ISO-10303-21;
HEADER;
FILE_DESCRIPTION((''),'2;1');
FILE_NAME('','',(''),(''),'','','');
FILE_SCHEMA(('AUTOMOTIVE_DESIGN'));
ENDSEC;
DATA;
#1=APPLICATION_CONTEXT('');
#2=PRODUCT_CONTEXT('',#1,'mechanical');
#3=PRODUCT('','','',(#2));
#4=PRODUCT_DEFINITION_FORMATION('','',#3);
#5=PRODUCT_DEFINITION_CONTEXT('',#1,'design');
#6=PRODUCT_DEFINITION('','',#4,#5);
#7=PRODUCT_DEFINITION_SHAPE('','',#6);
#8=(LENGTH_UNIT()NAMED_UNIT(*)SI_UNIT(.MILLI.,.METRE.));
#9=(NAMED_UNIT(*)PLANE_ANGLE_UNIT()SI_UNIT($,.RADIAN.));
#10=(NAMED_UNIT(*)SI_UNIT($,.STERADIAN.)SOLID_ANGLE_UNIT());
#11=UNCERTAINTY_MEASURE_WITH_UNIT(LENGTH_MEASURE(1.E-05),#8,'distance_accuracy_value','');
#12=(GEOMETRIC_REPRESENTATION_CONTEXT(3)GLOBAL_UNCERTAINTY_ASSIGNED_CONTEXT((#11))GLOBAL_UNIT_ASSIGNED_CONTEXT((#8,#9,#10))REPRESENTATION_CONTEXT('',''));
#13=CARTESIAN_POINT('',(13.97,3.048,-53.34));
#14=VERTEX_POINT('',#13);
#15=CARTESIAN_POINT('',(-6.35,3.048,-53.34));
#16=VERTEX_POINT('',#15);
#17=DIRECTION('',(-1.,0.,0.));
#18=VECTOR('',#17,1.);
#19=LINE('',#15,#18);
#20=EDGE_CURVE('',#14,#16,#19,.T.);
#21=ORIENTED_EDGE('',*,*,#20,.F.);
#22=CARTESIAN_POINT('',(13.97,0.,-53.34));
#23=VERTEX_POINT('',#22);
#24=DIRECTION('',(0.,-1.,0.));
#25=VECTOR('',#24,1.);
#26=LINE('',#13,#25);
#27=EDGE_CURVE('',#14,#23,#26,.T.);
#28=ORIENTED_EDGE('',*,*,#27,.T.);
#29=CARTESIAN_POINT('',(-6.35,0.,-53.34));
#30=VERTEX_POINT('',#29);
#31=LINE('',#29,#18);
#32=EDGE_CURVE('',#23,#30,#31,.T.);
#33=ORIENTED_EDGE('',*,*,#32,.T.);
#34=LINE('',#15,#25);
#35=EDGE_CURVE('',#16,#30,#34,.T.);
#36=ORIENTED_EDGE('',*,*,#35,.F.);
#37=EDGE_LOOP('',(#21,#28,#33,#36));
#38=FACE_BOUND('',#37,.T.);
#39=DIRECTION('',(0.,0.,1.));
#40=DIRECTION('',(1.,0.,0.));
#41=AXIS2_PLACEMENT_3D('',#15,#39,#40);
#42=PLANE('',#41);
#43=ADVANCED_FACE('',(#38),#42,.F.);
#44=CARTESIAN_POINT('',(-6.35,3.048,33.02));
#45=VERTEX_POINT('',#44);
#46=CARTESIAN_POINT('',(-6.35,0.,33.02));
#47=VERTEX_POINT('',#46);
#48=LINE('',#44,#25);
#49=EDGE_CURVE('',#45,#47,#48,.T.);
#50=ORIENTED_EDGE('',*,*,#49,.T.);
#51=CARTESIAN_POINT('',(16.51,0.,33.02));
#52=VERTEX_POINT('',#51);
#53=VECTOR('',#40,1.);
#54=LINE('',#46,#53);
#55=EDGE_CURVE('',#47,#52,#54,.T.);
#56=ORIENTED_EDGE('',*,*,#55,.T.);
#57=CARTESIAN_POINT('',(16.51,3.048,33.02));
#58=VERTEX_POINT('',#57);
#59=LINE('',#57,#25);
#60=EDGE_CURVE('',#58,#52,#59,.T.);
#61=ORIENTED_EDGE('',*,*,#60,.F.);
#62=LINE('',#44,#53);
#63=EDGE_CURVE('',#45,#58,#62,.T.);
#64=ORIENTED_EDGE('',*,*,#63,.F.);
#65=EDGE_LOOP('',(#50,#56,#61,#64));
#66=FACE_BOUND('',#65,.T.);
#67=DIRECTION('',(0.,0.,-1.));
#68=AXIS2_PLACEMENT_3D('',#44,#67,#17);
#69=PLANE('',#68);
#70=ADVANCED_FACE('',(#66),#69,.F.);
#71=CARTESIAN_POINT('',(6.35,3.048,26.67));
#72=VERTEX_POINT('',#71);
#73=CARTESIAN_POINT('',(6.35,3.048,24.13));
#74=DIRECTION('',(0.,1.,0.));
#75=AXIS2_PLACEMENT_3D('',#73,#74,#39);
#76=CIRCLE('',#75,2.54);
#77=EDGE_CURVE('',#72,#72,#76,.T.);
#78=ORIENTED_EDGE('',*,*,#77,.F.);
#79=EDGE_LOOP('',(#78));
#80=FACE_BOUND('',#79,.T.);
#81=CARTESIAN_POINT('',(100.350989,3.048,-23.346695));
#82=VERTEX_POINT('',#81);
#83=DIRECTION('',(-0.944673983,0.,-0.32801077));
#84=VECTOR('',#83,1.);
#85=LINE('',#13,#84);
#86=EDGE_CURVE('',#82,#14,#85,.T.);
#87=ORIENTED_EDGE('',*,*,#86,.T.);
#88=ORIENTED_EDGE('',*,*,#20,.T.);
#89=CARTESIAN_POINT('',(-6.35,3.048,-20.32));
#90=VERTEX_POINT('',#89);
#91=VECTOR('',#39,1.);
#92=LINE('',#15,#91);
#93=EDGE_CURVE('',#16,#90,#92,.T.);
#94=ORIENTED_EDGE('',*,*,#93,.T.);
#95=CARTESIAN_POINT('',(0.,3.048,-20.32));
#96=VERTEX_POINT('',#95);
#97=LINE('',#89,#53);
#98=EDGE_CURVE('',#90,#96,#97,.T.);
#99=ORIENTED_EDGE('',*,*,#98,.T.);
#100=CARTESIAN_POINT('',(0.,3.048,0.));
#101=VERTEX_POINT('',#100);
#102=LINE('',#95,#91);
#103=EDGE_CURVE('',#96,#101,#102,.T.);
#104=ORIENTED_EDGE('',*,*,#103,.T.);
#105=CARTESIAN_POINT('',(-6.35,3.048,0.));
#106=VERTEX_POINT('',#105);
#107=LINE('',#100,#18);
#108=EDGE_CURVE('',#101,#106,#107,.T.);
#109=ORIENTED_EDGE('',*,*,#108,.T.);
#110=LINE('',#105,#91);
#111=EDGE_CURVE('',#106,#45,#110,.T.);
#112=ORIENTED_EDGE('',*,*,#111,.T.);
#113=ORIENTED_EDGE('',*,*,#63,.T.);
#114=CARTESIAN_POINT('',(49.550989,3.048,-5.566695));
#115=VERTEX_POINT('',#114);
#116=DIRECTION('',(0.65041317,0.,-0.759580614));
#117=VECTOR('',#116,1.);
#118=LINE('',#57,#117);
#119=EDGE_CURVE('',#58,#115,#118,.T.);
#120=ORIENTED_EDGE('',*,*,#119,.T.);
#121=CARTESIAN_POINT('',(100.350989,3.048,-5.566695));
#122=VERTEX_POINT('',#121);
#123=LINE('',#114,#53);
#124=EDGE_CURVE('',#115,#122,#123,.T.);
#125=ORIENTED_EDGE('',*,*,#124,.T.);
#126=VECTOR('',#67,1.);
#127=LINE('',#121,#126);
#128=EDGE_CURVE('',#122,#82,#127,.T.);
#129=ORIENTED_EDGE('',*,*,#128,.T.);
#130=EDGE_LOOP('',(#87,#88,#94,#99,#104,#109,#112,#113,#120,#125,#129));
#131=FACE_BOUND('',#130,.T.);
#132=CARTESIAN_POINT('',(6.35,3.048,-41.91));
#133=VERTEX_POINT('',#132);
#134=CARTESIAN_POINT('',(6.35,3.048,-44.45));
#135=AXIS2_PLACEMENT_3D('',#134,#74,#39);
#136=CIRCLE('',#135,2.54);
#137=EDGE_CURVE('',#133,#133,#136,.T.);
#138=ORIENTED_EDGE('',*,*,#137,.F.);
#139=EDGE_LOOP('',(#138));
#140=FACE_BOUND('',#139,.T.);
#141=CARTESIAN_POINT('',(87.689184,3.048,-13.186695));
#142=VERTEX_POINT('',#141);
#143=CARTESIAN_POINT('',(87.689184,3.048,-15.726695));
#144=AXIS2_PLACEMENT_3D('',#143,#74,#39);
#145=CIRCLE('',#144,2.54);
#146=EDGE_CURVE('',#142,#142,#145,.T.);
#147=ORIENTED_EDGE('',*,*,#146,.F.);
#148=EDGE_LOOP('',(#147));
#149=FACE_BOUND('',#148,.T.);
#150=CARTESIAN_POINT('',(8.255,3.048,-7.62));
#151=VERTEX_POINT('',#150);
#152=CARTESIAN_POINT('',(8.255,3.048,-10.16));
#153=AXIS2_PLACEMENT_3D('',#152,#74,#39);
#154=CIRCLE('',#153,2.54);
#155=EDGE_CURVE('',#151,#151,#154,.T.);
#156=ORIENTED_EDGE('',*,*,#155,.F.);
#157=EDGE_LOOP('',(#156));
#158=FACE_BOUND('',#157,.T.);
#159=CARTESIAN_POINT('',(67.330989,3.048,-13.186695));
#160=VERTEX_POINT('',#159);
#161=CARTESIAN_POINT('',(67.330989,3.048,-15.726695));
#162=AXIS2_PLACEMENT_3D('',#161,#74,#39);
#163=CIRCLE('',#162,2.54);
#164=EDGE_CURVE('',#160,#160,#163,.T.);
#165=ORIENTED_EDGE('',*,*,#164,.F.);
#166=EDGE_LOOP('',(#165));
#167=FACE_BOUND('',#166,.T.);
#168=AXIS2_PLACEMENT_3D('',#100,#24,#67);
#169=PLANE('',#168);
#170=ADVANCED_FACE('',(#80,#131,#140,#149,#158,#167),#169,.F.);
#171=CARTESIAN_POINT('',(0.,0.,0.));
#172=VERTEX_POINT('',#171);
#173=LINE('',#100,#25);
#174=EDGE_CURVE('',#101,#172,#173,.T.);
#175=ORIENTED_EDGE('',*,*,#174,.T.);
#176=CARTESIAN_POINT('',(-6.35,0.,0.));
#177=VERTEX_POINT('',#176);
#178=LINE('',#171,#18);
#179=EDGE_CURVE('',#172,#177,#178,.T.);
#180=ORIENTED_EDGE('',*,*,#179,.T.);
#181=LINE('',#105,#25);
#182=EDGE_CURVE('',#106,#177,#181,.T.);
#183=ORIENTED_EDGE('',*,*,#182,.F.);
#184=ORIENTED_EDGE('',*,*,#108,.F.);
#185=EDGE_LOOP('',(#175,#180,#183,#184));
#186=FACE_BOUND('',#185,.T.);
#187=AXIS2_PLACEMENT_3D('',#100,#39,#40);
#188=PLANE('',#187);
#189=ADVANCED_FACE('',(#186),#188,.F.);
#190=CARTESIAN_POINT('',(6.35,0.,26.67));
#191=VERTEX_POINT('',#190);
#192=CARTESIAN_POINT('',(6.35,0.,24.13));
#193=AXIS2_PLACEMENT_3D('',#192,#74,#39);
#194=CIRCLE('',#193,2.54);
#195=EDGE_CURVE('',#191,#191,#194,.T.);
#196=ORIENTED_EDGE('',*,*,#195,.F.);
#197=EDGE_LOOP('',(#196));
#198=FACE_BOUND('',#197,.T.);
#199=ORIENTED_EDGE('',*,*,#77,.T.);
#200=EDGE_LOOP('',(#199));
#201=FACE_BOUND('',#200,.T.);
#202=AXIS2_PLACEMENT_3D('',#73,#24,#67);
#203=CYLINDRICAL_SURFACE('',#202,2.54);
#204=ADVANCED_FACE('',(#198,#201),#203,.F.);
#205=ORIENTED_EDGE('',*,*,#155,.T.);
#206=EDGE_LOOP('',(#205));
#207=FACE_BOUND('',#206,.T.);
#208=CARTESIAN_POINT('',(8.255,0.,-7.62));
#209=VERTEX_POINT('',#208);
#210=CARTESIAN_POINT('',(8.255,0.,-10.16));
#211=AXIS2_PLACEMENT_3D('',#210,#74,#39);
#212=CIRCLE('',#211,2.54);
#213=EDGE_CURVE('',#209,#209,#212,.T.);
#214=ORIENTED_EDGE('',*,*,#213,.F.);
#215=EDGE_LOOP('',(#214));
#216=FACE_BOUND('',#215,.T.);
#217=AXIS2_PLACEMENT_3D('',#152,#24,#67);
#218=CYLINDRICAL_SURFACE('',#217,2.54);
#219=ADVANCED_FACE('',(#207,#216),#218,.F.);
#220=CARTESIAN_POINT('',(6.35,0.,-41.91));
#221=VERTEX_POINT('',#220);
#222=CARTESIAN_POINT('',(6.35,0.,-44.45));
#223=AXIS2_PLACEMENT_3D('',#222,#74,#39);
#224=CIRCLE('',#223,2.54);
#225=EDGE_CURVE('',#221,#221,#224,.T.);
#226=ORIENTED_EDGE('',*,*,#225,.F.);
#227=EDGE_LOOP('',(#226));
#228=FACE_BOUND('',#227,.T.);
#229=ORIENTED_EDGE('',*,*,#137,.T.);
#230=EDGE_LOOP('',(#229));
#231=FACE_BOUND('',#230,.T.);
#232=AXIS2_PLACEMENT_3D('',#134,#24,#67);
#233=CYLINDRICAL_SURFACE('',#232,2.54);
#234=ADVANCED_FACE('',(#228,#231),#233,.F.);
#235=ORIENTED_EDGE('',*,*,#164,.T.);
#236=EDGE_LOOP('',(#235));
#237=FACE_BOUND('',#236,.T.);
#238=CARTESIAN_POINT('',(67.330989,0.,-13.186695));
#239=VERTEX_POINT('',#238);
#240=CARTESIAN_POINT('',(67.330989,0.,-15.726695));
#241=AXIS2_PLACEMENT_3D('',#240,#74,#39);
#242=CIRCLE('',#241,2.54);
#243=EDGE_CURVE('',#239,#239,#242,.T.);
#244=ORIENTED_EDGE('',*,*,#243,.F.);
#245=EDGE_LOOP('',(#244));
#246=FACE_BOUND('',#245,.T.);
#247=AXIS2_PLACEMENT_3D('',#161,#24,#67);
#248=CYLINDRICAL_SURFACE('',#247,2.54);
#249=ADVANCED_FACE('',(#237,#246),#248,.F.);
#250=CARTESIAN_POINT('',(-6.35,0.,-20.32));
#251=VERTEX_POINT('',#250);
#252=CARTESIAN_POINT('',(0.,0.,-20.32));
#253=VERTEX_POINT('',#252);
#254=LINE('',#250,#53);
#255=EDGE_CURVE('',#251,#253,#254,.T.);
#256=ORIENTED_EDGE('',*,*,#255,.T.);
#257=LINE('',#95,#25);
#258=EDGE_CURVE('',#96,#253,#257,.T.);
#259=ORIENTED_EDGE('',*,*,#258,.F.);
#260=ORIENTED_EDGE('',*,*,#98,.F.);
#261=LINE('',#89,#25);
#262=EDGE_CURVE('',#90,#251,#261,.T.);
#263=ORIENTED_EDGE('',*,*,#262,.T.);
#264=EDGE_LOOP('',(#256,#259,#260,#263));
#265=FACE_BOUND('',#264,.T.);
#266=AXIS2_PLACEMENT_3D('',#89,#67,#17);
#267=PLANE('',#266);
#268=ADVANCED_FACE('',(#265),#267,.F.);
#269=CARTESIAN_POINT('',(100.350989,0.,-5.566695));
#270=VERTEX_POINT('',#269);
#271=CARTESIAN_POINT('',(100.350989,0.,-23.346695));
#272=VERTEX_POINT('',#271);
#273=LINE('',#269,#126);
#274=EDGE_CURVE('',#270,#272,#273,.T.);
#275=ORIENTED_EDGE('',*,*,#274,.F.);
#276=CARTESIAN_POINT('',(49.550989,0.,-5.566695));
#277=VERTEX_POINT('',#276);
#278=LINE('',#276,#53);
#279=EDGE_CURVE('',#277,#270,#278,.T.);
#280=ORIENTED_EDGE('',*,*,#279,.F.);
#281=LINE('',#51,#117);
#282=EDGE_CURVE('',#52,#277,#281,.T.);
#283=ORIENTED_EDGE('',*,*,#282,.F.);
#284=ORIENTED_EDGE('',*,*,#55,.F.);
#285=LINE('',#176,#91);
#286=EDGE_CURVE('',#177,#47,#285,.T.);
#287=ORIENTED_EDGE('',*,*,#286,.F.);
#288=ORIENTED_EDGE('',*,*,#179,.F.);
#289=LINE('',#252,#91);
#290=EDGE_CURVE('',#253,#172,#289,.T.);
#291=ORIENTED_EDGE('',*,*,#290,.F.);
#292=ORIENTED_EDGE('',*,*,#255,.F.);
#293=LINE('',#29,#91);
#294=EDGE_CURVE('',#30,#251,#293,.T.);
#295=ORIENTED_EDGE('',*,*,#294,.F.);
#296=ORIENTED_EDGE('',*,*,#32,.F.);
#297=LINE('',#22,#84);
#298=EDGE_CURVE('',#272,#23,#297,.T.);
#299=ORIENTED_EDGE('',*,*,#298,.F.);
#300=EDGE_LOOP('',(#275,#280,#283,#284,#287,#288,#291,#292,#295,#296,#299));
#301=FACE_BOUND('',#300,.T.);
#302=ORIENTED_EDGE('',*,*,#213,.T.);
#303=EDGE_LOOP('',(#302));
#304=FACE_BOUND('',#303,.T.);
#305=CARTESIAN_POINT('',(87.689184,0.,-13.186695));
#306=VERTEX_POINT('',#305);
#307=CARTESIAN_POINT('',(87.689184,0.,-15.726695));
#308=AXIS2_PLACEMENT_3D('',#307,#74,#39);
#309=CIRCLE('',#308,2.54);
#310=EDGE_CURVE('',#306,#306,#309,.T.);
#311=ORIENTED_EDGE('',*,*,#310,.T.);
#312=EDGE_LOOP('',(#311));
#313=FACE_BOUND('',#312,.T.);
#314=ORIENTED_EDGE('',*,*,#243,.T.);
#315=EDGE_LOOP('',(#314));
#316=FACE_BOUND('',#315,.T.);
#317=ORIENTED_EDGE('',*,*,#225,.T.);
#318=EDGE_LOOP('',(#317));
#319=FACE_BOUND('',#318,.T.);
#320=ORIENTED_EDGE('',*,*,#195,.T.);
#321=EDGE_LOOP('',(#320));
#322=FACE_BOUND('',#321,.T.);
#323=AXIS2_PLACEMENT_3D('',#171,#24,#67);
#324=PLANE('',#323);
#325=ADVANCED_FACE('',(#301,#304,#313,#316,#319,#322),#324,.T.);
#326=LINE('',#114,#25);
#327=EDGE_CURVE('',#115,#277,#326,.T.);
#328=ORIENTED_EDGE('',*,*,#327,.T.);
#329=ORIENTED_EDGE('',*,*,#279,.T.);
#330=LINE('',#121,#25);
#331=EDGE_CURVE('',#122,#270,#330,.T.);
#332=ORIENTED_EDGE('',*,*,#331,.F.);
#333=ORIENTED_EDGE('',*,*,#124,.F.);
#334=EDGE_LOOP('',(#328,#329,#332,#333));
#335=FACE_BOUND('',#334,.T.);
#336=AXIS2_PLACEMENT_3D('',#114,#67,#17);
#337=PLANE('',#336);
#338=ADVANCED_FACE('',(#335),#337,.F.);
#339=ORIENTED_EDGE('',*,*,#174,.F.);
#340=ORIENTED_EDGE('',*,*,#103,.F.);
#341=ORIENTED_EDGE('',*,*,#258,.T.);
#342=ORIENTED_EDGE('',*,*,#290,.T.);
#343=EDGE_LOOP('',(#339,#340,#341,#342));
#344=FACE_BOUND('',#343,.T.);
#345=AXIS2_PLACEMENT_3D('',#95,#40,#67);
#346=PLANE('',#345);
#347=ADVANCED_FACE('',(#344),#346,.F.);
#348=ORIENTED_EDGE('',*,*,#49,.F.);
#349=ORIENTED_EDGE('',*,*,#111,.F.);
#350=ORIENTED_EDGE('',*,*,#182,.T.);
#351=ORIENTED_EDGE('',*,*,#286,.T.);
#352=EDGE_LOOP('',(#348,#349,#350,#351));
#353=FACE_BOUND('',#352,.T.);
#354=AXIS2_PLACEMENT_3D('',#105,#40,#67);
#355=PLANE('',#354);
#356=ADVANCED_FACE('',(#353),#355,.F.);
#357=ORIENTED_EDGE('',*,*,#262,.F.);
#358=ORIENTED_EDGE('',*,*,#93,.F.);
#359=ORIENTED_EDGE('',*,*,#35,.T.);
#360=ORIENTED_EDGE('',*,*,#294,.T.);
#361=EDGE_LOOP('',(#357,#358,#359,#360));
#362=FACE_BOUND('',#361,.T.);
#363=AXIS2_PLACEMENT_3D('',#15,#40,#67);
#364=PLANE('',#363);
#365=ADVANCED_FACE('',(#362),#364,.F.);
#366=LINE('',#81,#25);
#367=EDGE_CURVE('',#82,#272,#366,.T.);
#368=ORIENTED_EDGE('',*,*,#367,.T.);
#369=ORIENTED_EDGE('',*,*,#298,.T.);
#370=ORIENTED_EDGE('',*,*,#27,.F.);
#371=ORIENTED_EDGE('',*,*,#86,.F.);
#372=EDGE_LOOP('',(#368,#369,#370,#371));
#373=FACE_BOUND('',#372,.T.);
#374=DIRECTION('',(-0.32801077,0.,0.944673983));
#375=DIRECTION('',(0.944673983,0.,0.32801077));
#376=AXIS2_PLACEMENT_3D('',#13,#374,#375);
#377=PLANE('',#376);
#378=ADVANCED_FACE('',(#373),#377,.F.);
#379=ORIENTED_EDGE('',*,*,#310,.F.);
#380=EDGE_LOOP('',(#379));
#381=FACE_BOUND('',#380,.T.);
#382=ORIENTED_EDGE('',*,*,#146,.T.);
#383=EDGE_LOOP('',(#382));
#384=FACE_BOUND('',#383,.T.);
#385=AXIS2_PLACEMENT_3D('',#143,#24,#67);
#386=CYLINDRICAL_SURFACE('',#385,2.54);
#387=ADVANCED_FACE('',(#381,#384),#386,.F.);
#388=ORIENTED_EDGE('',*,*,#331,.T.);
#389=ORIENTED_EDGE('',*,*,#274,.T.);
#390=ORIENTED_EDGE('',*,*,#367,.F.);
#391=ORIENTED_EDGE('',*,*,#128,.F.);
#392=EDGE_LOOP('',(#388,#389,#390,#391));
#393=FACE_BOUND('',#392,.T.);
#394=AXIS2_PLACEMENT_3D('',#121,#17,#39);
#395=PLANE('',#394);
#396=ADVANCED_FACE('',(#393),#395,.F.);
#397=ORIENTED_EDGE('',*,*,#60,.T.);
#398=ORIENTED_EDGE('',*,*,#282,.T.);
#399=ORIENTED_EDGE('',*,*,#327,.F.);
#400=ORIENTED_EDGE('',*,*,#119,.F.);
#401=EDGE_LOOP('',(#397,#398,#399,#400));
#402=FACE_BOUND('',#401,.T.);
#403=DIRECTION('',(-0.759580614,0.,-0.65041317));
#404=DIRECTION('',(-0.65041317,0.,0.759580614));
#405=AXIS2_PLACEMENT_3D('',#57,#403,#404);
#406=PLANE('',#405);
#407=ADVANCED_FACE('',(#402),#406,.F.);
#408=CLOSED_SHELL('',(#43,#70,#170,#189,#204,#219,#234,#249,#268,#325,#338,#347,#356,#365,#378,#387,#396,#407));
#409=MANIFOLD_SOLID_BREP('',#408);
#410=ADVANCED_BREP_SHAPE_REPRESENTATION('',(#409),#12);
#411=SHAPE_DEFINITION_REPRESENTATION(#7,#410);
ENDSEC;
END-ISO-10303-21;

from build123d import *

# Parameters (mm, degrees)
SKETCH1_R           = 2.54
BOSS_EXTRUDE1_DEPTH = 3.048


with BuildPart() as part:
    # Sketch1 → Boss-Extrude1 (new body)
    with BuildSketch(Plane(origin=(0, 0, 0), x_dir=(1, 0, 0), z_dir=(0, 1, 0))):
        Polygon((0, 20.32), (0, 0), (-6.35, 0), (-6.35, -33.02), (16.51, -33.02), (49.550989027, 5.566695169), (100.350989027, 5.566695169), (100.350989027, 23.346695169), (13.97, 53.34), (-6.35, 53.34), (-6.35, 20.32), align=None)
        with Locations((8.255, 10.16)):
            Circle(SKETCH1_R, mode=Mode.SUBTRACT)
        with Locations((87.689183737, 15.726695169)):
            Circle(SKETCH1_R, mode=Mode.SUBTRACT)
        with Locations((6.35, -24.13)):
            Circle(SKETCH1_R, mode=Mode.SUBTRACT)
        with Locations((6.35, 44.45)):
            Circle(SKETCH1_R, mode=Mode.SUBTRACT)
        with Locations((67.330989027, 15.726695169)):
            Circle(SKETCH1_R, mode=Mode.SUBTRACT)
    extrude(amount=BOSS_EXTRUDE1_DEPTH)


solid = part.part
